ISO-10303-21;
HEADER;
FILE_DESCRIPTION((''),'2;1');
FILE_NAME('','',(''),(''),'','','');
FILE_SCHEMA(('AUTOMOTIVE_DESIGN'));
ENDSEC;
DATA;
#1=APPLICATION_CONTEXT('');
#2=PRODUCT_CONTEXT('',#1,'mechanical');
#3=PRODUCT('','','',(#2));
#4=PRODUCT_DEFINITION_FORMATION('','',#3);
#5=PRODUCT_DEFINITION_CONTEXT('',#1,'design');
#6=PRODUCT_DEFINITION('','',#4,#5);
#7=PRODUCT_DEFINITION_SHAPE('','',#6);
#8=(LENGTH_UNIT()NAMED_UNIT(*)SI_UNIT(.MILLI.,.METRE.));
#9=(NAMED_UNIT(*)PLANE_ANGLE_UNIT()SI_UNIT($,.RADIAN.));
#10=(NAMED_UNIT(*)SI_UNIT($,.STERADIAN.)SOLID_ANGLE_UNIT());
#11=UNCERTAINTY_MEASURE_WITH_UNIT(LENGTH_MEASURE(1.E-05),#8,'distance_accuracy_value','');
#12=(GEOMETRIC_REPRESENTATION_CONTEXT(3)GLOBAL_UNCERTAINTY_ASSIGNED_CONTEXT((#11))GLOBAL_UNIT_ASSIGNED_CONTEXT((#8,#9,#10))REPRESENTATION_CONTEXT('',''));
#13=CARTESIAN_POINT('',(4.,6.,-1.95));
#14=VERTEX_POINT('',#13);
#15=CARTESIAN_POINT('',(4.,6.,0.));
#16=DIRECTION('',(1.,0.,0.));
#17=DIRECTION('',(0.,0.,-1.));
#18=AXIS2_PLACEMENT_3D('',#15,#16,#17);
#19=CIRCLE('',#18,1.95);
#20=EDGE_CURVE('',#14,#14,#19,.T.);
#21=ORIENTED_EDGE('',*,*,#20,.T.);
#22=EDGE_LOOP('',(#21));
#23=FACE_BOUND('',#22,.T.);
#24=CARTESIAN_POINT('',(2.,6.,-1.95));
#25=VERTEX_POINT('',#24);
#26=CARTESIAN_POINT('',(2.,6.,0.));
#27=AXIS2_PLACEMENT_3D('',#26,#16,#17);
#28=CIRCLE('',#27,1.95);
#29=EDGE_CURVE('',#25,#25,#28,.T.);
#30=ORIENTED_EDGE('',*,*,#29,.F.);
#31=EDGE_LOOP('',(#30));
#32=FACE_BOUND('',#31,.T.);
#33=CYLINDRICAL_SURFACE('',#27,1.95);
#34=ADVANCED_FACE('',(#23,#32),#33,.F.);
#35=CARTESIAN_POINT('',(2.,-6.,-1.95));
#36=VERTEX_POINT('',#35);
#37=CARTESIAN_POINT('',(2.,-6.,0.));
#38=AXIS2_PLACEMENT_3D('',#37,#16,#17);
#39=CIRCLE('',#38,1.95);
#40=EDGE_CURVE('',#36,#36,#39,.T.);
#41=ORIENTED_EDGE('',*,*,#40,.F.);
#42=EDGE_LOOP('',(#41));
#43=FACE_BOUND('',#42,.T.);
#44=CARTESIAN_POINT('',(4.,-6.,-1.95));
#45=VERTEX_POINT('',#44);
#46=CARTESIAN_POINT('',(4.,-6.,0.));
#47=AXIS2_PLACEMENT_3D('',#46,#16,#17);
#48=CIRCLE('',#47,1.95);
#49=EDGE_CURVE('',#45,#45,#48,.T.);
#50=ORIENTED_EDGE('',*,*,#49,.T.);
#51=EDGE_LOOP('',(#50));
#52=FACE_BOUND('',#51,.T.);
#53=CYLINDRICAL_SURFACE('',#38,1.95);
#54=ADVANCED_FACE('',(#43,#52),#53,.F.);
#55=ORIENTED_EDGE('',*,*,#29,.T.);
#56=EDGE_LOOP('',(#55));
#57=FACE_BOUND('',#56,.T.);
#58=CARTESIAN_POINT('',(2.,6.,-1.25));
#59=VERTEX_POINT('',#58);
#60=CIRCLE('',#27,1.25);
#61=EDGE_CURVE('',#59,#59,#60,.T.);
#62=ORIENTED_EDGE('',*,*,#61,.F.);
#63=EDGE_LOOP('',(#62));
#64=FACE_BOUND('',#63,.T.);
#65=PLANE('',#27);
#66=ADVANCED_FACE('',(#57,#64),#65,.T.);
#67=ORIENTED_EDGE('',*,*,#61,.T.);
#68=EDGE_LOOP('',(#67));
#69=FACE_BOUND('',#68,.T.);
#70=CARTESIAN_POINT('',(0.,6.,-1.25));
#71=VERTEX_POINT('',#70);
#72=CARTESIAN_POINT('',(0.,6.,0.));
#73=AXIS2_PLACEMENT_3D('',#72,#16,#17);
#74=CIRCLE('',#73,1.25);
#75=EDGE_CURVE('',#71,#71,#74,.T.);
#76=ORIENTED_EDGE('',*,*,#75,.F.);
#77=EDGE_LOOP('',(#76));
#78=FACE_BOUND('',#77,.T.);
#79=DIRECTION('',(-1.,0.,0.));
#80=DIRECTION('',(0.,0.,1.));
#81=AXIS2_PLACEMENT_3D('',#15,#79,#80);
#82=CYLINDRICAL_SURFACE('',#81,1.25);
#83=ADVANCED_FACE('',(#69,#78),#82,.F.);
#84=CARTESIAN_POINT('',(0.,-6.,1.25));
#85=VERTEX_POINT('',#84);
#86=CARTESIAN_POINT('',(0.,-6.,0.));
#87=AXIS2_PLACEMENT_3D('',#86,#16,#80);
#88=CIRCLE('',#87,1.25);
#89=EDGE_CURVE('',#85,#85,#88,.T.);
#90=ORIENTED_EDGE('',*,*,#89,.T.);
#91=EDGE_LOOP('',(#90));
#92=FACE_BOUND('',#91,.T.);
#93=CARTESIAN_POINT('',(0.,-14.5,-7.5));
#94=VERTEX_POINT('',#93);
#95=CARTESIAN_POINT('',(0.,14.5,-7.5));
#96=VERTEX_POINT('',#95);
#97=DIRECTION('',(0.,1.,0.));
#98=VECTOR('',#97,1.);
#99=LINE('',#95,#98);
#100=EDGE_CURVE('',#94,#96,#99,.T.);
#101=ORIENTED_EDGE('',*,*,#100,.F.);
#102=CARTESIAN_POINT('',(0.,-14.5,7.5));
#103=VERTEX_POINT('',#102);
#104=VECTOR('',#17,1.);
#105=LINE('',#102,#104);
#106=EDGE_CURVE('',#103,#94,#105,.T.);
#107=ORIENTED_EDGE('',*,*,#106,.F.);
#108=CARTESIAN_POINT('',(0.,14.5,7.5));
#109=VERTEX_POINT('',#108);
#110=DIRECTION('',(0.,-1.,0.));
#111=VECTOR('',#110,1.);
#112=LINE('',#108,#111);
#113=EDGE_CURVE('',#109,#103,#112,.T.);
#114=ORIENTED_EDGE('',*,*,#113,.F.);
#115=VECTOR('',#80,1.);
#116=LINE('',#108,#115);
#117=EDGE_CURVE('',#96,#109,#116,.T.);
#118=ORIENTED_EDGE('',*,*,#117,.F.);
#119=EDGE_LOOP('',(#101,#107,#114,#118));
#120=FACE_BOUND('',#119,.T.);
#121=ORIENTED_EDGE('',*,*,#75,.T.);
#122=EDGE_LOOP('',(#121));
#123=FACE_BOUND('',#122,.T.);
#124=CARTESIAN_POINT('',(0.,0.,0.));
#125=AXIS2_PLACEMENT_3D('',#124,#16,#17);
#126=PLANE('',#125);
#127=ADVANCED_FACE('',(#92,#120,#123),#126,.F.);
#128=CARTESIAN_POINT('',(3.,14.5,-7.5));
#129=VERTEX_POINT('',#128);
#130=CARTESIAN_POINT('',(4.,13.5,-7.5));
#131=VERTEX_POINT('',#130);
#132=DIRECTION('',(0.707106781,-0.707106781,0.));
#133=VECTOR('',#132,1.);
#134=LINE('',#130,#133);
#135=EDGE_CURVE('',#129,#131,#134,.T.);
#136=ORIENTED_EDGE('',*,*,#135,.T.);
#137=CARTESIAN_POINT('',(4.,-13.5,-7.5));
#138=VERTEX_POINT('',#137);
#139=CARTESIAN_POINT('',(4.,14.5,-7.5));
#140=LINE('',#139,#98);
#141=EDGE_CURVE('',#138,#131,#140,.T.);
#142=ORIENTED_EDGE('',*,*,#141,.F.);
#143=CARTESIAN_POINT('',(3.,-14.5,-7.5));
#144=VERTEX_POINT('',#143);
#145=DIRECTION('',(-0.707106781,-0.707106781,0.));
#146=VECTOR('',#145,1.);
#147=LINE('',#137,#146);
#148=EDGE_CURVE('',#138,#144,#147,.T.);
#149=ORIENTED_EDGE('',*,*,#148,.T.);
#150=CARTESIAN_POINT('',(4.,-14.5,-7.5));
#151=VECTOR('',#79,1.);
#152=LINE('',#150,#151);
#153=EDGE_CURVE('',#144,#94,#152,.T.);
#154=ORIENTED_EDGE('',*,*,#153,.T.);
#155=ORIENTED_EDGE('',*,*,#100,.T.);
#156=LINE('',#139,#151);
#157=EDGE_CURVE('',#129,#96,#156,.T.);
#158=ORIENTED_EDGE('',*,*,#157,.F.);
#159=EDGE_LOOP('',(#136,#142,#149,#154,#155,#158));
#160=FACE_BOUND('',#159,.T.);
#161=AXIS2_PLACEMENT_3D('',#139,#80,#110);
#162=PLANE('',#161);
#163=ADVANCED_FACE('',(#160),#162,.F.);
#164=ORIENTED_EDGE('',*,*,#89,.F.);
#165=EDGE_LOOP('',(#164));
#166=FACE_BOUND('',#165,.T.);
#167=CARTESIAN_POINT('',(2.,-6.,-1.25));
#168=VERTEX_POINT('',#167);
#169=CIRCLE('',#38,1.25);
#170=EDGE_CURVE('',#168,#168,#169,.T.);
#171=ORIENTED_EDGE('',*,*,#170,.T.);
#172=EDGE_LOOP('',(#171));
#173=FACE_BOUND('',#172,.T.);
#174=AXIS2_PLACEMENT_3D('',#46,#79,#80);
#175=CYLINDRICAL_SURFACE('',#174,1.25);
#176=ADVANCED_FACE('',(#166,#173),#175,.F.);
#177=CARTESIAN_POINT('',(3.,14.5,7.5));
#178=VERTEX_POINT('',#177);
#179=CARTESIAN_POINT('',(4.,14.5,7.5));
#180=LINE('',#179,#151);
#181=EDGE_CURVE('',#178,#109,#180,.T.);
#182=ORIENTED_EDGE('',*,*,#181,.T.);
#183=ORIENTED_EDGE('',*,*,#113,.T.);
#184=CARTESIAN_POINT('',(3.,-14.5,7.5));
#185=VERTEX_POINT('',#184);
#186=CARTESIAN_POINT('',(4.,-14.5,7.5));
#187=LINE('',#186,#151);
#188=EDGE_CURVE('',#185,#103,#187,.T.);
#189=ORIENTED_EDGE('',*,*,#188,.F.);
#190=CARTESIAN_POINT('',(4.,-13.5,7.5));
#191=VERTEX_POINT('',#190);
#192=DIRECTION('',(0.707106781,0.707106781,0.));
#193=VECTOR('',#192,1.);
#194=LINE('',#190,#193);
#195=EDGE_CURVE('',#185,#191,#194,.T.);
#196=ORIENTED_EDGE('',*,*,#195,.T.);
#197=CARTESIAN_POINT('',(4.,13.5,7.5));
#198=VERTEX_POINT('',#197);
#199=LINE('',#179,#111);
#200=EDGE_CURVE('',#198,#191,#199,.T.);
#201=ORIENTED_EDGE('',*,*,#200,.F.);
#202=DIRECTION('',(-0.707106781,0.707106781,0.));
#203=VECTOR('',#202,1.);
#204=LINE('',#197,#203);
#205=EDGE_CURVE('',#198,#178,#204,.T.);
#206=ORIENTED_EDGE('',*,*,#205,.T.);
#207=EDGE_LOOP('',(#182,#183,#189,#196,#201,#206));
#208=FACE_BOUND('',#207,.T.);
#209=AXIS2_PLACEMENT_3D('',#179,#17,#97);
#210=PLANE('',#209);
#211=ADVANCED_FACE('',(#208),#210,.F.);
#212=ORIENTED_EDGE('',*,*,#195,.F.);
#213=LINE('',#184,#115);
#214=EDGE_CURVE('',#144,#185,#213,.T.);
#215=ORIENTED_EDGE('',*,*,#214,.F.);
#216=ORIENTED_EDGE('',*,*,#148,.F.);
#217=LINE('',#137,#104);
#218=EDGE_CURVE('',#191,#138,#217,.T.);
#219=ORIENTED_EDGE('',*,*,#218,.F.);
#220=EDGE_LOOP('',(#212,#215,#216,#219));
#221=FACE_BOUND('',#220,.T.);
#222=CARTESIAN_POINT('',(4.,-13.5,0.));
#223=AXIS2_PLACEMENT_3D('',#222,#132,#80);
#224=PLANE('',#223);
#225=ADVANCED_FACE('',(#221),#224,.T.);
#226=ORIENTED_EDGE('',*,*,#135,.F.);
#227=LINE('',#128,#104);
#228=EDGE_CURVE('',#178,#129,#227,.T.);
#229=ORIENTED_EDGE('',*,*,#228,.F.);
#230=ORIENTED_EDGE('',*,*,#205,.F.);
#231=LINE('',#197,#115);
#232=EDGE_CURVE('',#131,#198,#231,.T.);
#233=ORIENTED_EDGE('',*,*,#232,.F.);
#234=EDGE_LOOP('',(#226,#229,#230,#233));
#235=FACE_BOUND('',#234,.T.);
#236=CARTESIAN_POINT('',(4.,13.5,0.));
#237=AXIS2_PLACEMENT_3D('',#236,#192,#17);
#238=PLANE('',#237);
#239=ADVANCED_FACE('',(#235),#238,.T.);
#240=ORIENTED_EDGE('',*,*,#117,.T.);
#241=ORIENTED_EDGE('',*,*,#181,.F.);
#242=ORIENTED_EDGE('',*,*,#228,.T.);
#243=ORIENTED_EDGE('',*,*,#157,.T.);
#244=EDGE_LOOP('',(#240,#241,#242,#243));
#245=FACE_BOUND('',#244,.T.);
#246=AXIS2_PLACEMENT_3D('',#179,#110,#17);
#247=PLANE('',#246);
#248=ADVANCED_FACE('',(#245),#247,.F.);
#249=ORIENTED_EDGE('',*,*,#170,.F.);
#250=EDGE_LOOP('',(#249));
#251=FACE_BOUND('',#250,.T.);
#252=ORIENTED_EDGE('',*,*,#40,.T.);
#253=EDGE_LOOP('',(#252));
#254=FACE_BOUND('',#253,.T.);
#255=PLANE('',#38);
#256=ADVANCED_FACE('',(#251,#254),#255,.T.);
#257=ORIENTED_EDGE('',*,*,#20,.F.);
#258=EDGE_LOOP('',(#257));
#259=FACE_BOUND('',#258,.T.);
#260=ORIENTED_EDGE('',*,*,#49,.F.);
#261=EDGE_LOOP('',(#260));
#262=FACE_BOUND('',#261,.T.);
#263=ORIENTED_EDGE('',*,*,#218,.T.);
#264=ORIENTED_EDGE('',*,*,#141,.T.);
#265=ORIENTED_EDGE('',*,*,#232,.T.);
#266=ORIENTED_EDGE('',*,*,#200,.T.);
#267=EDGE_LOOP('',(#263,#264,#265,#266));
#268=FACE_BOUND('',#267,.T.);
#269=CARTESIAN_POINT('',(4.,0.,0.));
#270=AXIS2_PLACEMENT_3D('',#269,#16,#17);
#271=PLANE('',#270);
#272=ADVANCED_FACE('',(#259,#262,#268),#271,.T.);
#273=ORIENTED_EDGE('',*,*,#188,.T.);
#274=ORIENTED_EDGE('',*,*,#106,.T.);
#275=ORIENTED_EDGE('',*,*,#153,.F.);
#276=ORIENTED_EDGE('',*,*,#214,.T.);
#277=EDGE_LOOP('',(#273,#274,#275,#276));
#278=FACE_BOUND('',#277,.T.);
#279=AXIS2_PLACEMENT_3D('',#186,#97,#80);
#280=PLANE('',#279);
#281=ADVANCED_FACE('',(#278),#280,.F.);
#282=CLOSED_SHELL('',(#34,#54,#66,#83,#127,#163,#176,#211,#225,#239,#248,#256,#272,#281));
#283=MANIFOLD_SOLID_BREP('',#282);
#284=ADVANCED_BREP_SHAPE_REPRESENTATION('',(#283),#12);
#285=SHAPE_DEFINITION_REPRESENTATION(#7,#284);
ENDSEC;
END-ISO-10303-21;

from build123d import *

# Parameters (mm, degrees)
SKETCH_1_W          = 15
SKETCH_1_H          = 29
SKETCH_1_R          = 1.25
EXTRUDE_1_DEPTH     = 4
SKETCH_2_R          = 1.95
CUT_EXTRUDE_1_DEPTH = 2
CHAMFER_1_SIZE      = 1


with BuildPart() as part:
    # Эскиз1 → Бобышка-Вытянуть1 (new body)
    with BuildSketch(Plane(origin=(0, 0, 0), x_dir=(0, 0, -1), z_dir=(1, 0, 0))):
        Rectangle(SKETCH_1_W, SKETCH_1_H)
        with Locations((0, 6)):
            Circle(SKETCH_1_R, mode=Mode.SUBTRACT)
        with Locations(Location((0, -6, 0), (0, 0, 180))):
            Circle(SKETCH_1_R, mode=Mode.SUBTRACT)
    extrude(amount=EXTRUDE_1_DEPTH)

    # Эскиз2 → Вырез-Вытянуть1 (cut)
    with BuildSketch(Plane(origin=(4, 0, 0), x_dir=(0, 0, -1), z_dir=(1, 0, 0))):
        with Locations((0, 6)):
            Circle(SKETCH_2_R)
        with Locations((0, -6)):
            Circle(SKETCH_2_R)
    extrude(amount=-CUT_EXTRUDE_1_DEPTH, mode=Mode.SUBTRACT)

    # Фаска1
    chamfer_1_edges = [part.edges().sort_by_distance(p)[0] for p in [
        (4, -14.5, 0),
        (4, 14.5, 0),
    ]]
    chamfer(chamfer_1_edges, length=CHAMFER_1_SIZE)


solid = part.part
